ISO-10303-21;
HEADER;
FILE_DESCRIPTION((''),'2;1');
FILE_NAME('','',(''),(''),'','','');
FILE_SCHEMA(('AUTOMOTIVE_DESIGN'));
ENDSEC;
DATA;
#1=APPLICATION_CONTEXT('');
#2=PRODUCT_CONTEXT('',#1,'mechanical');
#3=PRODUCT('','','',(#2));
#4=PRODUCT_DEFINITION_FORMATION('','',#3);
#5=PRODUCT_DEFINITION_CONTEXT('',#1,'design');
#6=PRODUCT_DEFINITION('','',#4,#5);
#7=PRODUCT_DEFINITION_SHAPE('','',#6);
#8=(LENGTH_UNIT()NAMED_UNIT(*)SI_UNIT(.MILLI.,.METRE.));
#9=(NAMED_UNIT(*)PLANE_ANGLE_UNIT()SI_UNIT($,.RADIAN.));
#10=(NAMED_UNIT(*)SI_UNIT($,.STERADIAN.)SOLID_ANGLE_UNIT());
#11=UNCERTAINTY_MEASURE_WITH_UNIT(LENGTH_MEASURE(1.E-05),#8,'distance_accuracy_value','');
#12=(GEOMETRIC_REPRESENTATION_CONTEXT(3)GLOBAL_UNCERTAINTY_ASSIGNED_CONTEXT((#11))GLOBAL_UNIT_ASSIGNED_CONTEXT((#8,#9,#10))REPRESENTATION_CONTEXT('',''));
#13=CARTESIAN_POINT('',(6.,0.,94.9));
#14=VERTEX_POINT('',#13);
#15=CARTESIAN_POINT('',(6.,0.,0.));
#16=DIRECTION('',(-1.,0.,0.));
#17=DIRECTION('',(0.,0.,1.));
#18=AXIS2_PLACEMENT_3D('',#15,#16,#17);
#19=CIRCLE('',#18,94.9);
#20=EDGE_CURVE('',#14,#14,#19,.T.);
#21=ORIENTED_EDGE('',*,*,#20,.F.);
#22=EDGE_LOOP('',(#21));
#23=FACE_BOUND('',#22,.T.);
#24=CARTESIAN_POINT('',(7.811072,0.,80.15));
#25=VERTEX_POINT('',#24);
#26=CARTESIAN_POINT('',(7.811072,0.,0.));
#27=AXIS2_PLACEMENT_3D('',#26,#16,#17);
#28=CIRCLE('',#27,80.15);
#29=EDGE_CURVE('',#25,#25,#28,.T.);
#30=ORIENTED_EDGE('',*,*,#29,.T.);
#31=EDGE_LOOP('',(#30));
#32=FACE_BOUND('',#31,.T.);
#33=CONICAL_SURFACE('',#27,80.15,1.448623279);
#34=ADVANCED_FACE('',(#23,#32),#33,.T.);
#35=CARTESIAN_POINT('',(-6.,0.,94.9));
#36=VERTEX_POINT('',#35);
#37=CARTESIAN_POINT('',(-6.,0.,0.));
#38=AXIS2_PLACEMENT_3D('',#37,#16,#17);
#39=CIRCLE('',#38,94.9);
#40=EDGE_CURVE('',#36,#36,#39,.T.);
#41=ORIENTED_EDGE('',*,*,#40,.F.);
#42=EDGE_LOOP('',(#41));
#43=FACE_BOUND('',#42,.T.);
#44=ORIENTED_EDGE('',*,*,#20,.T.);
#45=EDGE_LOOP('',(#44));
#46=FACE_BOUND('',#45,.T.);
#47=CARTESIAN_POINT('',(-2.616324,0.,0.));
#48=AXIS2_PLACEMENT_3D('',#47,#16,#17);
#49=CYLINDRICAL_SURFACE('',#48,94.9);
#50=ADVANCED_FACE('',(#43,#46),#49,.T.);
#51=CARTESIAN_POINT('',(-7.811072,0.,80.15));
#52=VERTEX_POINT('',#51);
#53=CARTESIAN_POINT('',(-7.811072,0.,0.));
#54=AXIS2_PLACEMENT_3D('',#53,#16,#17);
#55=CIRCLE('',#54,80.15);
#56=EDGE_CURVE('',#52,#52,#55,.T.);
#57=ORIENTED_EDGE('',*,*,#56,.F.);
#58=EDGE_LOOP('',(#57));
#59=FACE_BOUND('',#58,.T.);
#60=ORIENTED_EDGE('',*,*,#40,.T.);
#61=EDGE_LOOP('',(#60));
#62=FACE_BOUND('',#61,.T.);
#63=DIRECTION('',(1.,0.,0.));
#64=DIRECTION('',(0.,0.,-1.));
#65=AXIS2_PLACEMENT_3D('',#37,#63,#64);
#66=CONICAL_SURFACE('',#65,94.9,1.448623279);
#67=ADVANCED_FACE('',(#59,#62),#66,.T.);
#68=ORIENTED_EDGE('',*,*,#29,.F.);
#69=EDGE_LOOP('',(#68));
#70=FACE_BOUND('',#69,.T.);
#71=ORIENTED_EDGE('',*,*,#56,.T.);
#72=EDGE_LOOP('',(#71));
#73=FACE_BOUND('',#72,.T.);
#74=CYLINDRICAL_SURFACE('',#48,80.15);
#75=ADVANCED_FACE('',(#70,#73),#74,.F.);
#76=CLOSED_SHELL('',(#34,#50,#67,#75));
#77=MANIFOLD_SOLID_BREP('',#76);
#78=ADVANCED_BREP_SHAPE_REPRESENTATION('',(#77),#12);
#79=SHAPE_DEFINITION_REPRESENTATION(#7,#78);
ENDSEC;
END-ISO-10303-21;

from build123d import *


with BuildPart() as part:
    # Sketch 180 → 旋转1 (revolve)
    with BuildSketch(Plane.XY, mode=Mode.PRIVATE) as revolve_1_sk:
        Polygon((-7.811072273, 80.15), (-6, 94.9), (6, 94.9), (7.811072273, 80.15), align=None)
    revolve(revolve_1_sk.sketch.rotate(Axis((-2.616323804, 0, 0), (1, 0, 0)), 90), axis=Axis((-2.616323804, 0, 0), (1, 0, 0)))


solid = part.part
